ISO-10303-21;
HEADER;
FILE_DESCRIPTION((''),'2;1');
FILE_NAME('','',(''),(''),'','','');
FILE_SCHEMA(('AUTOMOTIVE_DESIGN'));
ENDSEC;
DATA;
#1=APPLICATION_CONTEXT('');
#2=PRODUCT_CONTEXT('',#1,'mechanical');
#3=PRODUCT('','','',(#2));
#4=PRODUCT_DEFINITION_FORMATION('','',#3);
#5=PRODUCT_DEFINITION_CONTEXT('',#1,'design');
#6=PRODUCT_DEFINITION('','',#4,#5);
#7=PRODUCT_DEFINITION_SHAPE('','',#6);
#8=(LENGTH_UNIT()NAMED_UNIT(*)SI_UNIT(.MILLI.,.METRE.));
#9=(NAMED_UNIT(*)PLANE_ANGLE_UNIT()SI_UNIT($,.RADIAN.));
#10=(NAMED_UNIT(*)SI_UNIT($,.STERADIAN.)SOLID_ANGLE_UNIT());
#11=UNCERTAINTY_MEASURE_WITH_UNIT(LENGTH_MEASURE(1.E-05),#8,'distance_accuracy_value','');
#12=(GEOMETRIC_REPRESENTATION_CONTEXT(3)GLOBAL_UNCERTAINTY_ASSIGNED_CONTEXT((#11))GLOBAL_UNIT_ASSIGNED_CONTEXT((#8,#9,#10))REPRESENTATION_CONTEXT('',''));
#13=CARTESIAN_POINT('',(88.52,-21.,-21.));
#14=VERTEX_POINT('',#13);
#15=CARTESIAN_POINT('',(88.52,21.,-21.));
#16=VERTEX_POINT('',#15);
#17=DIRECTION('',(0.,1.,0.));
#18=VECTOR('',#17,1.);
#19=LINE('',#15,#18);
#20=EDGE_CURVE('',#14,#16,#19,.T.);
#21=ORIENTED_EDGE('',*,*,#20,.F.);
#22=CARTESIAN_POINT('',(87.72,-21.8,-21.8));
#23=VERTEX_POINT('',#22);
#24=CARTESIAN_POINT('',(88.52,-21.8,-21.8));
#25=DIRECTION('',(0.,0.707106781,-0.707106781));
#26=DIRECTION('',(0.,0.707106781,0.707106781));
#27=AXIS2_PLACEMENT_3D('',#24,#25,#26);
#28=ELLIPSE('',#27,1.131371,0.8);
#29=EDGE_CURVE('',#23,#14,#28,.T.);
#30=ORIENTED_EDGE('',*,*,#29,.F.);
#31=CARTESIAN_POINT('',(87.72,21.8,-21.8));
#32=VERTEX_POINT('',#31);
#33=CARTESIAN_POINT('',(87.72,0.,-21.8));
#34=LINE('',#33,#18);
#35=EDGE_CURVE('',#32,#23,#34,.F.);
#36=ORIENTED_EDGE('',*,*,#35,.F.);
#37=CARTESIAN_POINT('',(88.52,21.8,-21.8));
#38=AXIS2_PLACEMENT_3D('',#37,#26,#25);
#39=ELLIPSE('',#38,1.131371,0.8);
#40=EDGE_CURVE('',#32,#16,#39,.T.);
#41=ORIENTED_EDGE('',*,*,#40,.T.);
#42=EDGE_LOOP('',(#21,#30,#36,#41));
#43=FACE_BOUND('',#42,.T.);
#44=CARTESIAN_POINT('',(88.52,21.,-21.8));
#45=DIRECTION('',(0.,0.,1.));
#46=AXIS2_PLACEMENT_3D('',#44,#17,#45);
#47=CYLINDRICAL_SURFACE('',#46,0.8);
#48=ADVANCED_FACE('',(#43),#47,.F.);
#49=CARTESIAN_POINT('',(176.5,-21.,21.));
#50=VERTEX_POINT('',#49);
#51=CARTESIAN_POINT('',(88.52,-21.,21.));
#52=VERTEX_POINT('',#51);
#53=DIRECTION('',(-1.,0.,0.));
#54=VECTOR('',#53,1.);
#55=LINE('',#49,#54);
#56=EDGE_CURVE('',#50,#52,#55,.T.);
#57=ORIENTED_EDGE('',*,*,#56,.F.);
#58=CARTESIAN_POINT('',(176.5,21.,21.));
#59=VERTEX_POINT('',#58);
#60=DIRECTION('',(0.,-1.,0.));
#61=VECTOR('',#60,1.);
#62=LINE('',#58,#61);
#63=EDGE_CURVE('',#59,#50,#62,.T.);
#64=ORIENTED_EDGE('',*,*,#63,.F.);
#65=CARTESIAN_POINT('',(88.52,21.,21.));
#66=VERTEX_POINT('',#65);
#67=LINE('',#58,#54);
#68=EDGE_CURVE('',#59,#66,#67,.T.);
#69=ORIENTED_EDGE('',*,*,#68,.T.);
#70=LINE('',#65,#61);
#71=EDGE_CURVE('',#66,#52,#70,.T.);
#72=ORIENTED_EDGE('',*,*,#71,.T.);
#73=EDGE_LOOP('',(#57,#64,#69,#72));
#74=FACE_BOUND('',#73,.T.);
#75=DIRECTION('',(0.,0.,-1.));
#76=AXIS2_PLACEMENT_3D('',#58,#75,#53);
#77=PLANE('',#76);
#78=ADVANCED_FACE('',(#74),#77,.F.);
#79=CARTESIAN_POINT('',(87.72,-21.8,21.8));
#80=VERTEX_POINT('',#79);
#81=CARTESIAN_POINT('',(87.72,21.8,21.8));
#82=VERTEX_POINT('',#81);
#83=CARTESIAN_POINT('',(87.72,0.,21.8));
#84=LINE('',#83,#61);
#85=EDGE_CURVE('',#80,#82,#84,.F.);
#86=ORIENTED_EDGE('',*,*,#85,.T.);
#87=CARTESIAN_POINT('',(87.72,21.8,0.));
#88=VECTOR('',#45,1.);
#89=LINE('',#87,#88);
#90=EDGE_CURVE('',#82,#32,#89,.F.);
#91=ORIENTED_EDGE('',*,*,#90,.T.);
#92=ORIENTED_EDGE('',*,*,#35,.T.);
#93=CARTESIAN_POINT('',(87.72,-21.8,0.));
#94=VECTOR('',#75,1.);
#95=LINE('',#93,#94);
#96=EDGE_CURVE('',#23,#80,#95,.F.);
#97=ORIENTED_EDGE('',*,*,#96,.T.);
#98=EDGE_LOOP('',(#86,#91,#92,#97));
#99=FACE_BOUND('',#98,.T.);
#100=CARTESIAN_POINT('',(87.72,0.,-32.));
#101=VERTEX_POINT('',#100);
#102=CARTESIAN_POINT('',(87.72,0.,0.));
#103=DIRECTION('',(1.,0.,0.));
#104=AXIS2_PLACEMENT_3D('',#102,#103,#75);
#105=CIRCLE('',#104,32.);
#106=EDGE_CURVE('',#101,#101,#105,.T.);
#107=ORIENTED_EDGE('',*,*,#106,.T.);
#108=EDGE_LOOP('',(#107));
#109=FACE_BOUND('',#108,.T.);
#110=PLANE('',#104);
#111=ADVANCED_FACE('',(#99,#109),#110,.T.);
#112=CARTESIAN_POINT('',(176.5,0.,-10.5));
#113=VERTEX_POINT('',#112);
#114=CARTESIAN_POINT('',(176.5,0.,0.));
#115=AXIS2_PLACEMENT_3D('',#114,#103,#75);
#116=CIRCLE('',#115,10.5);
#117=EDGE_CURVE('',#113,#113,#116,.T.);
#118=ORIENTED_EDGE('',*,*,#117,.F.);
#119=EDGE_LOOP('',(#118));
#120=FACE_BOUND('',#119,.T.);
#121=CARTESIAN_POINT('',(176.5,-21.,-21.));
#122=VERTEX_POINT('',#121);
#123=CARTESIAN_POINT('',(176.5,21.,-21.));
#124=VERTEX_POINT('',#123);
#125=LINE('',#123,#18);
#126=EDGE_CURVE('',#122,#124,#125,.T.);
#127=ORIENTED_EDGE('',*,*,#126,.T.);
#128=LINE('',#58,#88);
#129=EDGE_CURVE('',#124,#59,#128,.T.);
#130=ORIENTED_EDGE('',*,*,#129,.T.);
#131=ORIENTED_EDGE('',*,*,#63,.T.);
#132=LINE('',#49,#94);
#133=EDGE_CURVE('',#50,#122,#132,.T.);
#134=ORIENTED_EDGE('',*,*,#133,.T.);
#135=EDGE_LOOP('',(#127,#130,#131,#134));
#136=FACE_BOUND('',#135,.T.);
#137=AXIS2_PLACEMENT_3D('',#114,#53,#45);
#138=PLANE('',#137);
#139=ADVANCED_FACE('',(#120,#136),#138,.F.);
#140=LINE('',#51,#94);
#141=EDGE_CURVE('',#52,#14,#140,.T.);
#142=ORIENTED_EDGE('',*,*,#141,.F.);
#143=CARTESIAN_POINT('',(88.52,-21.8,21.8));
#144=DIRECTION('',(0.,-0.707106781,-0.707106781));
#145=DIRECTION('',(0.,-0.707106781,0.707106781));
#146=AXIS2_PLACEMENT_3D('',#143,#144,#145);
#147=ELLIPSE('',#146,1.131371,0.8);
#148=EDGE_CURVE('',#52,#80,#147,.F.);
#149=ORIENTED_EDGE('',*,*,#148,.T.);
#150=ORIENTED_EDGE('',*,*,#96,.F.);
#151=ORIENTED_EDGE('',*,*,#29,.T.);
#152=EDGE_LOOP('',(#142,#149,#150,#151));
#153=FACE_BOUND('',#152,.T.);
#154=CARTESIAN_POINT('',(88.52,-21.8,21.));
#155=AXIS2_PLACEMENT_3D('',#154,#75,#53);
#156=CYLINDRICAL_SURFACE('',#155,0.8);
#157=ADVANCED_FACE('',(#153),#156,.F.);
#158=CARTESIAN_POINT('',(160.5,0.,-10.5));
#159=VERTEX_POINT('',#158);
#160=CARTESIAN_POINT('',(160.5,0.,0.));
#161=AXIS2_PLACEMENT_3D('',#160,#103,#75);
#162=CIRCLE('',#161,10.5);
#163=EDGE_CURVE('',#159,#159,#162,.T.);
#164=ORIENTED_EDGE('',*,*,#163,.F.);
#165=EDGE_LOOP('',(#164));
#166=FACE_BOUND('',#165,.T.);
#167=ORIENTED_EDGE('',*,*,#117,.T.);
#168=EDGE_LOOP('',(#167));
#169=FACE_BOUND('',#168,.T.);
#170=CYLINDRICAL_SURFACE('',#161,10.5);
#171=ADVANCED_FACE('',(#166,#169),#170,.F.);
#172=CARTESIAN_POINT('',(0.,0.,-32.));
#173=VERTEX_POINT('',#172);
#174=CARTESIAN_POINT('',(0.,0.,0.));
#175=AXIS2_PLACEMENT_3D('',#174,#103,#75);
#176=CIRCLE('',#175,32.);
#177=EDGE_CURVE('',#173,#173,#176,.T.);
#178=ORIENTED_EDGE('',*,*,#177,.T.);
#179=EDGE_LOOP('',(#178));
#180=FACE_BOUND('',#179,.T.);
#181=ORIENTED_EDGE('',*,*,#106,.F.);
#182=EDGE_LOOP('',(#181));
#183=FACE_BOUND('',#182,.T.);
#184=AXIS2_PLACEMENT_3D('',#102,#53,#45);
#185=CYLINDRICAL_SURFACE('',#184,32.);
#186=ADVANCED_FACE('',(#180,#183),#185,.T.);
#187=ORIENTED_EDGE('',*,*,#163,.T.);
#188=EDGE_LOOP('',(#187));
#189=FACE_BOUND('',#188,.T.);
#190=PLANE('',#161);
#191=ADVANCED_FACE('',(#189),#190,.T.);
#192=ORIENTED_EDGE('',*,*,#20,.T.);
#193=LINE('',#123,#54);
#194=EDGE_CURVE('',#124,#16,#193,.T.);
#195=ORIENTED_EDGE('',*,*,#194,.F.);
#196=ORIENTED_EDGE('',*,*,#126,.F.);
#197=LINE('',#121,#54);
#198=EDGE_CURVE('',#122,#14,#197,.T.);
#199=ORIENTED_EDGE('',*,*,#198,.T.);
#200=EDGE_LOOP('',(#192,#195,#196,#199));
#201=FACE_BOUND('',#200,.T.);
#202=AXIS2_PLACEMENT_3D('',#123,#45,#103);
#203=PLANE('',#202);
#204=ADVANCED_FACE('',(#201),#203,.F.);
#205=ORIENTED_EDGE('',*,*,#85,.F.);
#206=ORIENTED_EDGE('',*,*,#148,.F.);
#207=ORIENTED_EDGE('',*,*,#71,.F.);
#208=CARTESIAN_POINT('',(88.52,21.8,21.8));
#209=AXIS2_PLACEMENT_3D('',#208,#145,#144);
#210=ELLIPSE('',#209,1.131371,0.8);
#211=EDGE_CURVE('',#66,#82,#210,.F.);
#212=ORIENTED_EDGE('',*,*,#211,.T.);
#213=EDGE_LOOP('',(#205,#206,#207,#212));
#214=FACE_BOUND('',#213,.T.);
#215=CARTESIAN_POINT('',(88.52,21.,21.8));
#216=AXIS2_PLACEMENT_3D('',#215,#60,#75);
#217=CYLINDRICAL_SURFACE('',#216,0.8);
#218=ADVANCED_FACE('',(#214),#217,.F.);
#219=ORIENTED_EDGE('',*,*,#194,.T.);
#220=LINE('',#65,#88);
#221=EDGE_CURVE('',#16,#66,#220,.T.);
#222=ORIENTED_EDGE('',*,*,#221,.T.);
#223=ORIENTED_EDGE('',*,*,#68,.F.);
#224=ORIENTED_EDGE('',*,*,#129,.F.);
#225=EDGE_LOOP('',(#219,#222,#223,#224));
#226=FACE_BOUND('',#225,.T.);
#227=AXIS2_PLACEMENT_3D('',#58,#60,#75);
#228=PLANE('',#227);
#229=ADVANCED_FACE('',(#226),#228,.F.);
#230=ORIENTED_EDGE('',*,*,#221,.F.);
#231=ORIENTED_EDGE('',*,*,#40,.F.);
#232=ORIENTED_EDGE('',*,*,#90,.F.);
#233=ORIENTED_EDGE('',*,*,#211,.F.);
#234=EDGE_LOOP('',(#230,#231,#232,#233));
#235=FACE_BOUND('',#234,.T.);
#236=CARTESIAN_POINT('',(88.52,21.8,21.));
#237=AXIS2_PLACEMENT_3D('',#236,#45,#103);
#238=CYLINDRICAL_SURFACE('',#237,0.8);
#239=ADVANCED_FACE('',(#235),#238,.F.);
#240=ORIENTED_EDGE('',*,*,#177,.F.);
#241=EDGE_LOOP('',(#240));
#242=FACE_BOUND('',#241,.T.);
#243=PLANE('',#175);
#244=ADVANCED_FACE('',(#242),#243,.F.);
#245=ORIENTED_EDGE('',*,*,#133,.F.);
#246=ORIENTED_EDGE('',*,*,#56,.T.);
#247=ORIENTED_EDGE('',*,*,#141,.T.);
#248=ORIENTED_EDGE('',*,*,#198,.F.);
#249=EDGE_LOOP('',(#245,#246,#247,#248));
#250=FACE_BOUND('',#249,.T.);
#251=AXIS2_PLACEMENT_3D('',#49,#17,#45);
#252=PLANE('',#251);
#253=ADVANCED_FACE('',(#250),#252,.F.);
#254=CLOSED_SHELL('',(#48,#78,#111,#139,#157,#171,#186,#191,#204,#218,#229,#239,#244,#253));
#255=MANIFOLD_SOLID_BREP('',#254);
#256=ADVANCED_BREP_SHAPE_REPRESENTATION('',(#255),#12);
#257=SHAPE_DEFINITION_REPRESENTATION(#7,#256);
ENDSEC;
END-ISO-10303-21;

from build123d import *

# Parameters (mm, degrees)
SKETCH1_R           = 32
BOSS_EXTRUDE1_DEPTH = 87.72
SKETCH2_W           = 42
SKETCH2_H           = 42
BOSS_EXTRUDE2_DEPTH = 88.78
FILLET2_R           = 0.8
SKETCH3_R           = 10.5
CUT_EXTRUDE1_DEPTH  = 16


with BuildPart() as part:
    # Sketch1 → Boss-Extrude1 (new body)
    with BuildSketch(Plane(origin=(0, 0, 0), x_dir=(0, 0, -1), z_dir=(1, 0, 0))):
        Circle(SKETCH1_R)
    extrude(amount=BOSS_EXTRUDE1_DEPTH)

    # Sketch2 → Boss-Extrude2 (add)
    with BuildSketch(Plane(origin=(87.72, 0, 0), x_dir=(0, 0, -1), z_dir=(1, 0, 0))):
        Rectangle(SKETCH2_W, SKETCH2_H)
    extrude(amount=BOSS_EXTRUDE2_DEPTH)

    # Fillet2
    fillet2_edges = [part.edges().sort_by_distance(p)[0] for p in [
        (87.72, -21, 0),
        (87.72, 0, -21),
        (87.72, 21, 0),
        (87.72, 0, 21),
    ]]
    fillet(fillet2_edges, radius=FILLET2_R)

    # Sketch3 → Cut-Extrude1 (cut)
    with BuildSketch(Plane(origin=(176.5, 0, 0), x_dir=(0, 0, -1), z_dir=(1, 0, 0))):
        Circle(SKETCH3_R)
    extrude(amount=-CUT_EXTRUDE1_DEPTH, mode=Mode.SUBTRACT)


solid = part.part
